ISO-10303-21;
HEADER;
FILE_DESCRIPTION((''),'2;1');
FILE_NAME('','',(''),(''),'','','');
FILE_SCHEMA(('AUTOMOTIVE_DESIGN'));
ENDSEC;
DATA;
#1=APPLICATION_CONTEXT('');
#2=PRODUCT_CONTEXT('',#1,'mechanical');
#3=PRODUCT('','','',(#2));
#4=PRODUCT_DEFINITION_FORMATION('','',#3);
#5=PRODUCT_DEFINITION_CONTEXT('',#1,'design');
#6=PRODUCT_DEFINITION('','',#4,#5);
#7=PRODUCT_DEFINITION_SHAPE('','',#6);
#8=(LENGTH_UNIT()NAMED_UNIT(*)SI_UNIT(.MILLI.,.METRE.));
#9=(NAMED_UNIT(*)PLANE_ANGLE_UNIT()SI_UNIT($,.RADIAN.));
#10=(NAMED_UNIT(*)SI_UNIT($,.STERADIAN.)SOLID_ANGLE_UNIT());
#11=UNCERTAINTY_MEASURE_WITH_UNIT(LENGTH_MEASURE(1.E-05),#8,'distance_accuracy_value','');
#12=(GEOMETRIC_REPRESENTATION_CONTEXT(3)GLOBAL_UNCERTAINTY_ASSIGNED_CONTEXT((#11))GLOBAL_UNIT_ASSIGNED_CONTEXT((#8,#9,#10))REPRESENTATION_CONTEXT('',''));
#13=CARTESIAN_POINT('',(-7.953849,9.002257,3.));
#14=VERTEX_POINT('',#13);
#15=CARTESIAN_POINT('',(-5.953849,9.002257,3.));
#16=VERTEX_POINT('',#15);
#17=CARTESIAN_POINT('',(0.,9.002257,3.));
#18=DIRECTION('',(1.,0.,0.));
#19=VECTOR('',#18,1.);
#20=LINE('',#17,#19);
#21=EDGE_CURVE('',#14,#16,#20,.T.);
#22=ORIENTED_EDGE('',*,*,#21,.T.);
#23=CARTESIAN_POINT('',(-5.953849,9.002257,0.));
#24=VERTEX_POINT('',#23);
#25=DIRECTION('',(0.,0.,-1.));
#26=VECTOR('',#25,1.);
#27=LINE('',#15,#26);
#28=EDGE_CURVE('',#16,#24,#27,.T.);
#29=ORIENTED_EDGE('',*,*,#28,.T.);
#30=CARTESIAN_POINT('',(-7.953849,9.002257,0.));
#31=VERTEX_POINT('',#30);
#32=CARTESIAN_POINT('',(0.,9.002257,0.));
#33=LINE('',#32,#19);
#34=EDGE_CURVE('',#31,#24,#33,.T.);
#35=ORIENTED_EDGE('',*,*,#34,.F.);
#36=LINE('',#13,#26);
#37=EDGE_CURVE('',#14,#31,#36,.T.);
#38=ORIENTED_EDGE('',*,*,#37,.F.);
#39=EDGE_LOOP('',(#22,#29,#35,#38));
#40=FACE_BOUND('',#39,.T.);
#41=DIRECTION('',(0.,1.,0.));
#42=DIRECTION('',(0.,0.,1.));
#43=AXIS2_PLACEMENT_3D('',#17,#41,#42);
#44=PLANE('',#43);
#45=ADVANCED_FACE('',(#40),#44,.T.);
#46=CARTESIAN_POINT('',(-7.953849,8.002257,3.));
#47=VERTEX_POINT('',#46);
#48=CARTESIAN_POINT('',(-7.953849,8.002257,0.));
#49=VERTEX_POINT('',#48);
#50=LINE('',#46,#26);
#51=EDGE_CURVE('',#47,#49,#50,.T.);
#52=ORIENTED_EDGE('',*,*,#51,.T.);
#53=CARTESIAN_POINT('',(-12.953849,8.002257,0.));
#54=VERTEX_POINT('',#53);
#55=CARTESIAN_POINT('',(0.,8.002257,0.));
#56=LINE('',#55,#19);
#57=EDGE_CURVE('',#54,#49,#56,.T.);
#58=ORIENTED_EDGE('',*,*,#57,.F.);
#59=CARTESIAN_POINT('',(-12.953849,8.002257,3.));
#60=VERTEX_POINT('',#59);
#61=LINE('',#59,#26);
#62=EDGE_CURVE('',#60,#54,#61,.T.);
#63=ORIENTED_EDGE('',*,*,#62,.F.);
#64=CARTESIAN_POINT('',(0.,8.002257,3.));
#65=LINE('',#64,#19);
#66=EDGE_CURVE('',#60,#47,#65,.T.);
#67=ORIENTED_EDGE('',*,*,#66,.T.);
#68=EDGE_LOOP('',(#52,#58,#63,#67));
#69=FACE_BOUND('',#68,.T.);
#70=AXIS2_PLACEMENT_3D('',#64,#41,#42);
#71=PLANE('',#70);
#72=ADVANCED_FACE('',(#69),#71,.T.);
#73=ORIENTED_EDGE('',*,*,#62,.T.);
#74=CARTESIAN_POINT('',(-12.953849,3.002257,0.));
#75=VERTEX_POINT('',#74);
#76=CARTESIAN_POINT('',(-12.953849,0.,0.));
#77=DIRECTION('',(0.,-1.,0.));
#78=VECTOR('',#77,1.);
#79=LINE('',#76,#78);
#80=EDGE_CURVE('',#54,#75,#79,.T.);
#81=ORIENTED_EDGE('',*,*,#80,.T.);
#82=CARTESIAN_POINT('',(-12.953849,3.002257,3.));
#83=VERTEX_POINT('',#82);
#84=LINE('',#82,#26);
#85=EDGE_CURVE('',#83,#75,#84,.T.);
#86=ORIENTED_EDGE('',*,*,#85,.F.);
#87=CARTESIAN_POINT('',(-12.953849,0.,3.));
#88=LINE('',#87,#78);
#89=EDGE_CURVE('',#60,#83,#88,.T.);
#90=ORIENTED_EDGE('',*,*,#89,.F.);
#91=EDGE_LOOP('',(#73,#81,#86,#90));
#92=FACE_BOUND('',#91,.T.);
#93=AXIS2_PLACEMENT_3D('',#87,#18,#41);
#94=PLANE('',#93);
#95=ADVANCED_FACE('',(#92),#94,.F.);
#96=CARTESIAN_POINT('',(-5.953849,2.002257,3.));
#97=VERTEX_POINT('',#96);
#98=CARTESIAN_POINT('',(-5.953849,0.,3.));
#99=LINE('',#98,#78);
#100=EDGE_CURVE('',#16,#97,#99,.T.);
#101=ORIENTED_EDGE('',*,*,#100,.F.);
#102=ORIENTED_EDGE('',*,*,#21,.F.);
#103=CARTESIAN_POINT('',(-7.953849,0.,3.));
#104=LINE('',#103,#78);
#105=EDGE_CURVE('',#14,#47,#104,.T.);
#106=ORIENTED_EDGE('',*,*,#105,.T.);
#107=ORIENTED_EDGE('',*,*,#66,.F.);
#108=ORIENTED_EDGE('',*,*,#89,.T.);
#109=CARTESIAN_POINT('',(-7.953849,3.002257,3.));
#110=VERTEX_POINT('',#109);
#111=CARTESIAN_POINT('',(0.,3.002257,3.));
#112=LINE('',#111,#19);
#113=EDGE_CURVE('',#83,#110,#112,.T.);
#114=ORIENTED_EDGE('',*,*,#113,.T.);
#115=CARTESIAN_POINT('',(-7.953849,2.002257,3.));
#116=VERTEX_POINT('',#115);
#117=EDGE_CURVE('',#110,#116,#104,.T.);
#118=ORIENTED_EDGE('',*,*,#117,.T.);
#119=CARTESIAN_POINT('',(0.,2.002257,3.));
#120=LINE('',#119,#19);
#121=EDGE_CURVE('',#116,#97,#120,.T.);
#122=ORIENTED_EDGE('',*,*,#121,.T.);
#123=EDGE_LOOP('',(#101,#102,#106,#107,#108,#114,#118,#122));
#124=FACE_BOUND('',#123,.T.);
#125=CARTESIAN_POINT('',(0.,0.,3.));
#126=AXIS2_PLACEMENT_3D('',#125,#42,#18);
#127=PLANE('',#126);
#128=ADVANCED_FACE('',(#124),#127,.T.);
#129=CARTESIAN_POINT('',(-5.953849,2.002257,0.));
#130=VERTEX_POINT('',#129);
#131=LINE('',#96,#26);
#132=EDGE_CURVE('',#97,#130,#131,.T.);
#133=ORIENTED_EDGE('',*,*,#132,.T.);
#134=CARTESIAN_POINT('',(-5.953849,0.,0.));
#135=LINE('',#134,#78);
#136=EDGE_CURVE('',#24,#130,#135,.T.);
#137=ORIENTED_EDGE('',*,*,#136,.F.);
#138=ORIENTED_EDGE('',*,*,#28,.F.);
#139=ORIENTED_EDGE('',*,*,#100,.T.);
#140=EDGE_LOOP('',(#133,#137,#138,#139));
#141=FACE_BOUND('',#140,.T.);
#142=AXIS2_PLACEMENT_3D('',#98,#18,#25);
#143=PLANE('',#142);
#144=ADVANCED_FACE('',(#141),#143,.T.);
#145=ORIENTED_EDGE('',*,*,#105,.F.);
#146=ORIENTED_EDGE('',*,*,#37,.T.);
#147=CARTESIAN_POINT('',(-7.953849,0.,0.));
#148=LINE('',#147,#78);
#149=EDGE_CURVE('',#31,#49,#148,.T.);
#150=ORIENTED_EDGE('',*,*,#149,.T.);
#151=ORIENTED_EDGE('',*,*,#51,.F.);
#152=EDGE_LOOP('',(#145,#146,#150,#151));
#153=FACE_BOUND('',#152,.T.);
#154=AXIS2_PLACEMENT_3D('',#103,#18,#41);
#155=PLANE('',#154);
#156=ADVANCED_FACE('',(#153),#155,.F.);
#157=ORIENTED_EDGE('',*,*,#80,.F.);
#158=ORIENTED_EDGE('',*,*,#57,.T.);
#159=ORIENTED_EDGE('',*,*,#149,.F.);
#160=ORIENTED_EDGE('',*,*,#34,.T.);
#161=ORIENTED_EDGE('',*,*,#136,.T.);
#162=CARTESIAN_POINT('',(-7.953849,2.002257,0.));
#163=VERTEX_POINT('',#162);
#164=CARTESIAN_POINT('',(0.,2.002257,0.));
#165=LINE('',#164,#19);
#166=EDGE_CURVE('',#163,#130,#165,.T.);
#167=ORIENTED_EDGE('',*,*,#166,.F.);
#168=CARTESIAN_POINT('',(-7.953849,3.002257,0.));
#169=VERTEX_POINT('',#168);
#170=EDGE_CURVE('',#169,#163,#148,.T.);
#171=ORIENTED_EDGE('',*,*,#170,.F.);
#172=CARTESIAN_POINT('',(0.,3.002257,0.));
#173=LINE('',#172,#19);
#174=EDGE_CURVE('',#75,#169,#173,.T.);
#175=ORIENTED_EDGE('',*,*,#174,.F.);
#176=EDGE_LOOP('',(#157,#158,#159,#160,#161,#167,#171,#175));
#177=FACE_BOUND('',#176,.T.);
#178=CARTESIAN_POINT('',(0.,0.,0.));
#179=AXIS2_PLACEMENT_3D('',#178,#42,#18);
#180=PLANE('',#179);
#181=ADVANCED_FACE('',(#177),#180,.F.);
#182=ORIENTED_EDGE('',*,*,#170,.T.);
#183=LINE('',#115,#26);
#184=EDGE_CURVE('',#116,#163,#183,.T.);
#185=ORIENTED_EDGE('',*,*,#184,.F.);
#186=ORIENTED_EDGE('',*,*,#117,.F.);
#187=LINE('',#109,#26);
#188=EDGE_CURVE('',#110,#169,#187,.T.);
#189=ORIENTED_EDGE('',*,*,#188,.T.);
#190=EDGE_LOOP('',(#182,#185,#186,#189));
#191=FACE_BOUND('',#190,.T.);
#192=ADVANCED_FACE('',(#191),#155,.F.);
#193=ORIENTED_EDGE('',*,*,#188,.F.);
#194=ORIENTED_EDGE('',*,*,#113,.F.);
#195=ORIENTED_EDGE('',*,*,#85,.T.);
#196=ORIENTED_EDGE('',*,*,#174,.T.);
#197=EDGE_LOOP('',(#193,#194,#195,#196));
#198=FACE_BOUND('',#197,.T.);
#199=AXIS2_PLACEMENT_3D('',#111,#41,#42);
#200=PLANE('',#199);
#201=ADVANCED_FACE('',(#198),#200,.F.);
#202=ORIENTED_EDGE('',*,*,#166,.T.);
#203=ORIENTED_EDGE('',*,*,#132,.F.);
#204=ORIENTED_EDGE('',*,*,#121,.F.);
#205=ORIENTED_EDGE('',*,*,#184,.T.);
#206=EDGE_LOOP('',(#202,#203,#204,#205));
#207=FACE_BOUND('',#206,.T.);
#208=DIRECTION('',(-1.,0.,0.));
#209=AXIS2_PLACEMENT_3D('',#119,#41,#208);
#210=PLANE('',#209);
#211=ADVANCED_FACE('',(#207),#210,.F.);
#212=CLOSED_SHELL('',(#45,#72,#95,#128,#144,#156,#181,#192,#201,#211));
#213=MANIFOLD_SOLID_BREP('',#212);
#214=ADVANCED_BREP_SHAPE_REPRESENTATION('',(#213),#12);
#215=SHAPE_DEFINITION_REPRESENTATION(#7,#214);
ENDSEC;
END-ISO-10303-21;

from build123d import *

# Parameters (mm, degrees)
CROQUIS1_W              = 5
CROQUIS1_H              = 5
SALIENTE_EXTRUIR1_DEPTH = 3


with BuildPart() as part:
    # Croquis1 → Saliente-Extruir1 (new body)
    with BuildSketch(Plane.XY):
        with Locations((-10.453849245, 5.502257497)):
            Rectangle(CROQUIS1_W, CROQUIS1_H)
        Polygon((-7.953849245, 9.002257497), (-7.953849245, 8.002257497), (-7.953849245, 3.002257497), (-7.953849245, 2.002257497), (-5.953849245, 2.002257497), (-5.953849245, 9.002257497), align=None)
    extrude(amount=SALIENTE_EXTRUIR1_DEPTH)


solid = part.part
